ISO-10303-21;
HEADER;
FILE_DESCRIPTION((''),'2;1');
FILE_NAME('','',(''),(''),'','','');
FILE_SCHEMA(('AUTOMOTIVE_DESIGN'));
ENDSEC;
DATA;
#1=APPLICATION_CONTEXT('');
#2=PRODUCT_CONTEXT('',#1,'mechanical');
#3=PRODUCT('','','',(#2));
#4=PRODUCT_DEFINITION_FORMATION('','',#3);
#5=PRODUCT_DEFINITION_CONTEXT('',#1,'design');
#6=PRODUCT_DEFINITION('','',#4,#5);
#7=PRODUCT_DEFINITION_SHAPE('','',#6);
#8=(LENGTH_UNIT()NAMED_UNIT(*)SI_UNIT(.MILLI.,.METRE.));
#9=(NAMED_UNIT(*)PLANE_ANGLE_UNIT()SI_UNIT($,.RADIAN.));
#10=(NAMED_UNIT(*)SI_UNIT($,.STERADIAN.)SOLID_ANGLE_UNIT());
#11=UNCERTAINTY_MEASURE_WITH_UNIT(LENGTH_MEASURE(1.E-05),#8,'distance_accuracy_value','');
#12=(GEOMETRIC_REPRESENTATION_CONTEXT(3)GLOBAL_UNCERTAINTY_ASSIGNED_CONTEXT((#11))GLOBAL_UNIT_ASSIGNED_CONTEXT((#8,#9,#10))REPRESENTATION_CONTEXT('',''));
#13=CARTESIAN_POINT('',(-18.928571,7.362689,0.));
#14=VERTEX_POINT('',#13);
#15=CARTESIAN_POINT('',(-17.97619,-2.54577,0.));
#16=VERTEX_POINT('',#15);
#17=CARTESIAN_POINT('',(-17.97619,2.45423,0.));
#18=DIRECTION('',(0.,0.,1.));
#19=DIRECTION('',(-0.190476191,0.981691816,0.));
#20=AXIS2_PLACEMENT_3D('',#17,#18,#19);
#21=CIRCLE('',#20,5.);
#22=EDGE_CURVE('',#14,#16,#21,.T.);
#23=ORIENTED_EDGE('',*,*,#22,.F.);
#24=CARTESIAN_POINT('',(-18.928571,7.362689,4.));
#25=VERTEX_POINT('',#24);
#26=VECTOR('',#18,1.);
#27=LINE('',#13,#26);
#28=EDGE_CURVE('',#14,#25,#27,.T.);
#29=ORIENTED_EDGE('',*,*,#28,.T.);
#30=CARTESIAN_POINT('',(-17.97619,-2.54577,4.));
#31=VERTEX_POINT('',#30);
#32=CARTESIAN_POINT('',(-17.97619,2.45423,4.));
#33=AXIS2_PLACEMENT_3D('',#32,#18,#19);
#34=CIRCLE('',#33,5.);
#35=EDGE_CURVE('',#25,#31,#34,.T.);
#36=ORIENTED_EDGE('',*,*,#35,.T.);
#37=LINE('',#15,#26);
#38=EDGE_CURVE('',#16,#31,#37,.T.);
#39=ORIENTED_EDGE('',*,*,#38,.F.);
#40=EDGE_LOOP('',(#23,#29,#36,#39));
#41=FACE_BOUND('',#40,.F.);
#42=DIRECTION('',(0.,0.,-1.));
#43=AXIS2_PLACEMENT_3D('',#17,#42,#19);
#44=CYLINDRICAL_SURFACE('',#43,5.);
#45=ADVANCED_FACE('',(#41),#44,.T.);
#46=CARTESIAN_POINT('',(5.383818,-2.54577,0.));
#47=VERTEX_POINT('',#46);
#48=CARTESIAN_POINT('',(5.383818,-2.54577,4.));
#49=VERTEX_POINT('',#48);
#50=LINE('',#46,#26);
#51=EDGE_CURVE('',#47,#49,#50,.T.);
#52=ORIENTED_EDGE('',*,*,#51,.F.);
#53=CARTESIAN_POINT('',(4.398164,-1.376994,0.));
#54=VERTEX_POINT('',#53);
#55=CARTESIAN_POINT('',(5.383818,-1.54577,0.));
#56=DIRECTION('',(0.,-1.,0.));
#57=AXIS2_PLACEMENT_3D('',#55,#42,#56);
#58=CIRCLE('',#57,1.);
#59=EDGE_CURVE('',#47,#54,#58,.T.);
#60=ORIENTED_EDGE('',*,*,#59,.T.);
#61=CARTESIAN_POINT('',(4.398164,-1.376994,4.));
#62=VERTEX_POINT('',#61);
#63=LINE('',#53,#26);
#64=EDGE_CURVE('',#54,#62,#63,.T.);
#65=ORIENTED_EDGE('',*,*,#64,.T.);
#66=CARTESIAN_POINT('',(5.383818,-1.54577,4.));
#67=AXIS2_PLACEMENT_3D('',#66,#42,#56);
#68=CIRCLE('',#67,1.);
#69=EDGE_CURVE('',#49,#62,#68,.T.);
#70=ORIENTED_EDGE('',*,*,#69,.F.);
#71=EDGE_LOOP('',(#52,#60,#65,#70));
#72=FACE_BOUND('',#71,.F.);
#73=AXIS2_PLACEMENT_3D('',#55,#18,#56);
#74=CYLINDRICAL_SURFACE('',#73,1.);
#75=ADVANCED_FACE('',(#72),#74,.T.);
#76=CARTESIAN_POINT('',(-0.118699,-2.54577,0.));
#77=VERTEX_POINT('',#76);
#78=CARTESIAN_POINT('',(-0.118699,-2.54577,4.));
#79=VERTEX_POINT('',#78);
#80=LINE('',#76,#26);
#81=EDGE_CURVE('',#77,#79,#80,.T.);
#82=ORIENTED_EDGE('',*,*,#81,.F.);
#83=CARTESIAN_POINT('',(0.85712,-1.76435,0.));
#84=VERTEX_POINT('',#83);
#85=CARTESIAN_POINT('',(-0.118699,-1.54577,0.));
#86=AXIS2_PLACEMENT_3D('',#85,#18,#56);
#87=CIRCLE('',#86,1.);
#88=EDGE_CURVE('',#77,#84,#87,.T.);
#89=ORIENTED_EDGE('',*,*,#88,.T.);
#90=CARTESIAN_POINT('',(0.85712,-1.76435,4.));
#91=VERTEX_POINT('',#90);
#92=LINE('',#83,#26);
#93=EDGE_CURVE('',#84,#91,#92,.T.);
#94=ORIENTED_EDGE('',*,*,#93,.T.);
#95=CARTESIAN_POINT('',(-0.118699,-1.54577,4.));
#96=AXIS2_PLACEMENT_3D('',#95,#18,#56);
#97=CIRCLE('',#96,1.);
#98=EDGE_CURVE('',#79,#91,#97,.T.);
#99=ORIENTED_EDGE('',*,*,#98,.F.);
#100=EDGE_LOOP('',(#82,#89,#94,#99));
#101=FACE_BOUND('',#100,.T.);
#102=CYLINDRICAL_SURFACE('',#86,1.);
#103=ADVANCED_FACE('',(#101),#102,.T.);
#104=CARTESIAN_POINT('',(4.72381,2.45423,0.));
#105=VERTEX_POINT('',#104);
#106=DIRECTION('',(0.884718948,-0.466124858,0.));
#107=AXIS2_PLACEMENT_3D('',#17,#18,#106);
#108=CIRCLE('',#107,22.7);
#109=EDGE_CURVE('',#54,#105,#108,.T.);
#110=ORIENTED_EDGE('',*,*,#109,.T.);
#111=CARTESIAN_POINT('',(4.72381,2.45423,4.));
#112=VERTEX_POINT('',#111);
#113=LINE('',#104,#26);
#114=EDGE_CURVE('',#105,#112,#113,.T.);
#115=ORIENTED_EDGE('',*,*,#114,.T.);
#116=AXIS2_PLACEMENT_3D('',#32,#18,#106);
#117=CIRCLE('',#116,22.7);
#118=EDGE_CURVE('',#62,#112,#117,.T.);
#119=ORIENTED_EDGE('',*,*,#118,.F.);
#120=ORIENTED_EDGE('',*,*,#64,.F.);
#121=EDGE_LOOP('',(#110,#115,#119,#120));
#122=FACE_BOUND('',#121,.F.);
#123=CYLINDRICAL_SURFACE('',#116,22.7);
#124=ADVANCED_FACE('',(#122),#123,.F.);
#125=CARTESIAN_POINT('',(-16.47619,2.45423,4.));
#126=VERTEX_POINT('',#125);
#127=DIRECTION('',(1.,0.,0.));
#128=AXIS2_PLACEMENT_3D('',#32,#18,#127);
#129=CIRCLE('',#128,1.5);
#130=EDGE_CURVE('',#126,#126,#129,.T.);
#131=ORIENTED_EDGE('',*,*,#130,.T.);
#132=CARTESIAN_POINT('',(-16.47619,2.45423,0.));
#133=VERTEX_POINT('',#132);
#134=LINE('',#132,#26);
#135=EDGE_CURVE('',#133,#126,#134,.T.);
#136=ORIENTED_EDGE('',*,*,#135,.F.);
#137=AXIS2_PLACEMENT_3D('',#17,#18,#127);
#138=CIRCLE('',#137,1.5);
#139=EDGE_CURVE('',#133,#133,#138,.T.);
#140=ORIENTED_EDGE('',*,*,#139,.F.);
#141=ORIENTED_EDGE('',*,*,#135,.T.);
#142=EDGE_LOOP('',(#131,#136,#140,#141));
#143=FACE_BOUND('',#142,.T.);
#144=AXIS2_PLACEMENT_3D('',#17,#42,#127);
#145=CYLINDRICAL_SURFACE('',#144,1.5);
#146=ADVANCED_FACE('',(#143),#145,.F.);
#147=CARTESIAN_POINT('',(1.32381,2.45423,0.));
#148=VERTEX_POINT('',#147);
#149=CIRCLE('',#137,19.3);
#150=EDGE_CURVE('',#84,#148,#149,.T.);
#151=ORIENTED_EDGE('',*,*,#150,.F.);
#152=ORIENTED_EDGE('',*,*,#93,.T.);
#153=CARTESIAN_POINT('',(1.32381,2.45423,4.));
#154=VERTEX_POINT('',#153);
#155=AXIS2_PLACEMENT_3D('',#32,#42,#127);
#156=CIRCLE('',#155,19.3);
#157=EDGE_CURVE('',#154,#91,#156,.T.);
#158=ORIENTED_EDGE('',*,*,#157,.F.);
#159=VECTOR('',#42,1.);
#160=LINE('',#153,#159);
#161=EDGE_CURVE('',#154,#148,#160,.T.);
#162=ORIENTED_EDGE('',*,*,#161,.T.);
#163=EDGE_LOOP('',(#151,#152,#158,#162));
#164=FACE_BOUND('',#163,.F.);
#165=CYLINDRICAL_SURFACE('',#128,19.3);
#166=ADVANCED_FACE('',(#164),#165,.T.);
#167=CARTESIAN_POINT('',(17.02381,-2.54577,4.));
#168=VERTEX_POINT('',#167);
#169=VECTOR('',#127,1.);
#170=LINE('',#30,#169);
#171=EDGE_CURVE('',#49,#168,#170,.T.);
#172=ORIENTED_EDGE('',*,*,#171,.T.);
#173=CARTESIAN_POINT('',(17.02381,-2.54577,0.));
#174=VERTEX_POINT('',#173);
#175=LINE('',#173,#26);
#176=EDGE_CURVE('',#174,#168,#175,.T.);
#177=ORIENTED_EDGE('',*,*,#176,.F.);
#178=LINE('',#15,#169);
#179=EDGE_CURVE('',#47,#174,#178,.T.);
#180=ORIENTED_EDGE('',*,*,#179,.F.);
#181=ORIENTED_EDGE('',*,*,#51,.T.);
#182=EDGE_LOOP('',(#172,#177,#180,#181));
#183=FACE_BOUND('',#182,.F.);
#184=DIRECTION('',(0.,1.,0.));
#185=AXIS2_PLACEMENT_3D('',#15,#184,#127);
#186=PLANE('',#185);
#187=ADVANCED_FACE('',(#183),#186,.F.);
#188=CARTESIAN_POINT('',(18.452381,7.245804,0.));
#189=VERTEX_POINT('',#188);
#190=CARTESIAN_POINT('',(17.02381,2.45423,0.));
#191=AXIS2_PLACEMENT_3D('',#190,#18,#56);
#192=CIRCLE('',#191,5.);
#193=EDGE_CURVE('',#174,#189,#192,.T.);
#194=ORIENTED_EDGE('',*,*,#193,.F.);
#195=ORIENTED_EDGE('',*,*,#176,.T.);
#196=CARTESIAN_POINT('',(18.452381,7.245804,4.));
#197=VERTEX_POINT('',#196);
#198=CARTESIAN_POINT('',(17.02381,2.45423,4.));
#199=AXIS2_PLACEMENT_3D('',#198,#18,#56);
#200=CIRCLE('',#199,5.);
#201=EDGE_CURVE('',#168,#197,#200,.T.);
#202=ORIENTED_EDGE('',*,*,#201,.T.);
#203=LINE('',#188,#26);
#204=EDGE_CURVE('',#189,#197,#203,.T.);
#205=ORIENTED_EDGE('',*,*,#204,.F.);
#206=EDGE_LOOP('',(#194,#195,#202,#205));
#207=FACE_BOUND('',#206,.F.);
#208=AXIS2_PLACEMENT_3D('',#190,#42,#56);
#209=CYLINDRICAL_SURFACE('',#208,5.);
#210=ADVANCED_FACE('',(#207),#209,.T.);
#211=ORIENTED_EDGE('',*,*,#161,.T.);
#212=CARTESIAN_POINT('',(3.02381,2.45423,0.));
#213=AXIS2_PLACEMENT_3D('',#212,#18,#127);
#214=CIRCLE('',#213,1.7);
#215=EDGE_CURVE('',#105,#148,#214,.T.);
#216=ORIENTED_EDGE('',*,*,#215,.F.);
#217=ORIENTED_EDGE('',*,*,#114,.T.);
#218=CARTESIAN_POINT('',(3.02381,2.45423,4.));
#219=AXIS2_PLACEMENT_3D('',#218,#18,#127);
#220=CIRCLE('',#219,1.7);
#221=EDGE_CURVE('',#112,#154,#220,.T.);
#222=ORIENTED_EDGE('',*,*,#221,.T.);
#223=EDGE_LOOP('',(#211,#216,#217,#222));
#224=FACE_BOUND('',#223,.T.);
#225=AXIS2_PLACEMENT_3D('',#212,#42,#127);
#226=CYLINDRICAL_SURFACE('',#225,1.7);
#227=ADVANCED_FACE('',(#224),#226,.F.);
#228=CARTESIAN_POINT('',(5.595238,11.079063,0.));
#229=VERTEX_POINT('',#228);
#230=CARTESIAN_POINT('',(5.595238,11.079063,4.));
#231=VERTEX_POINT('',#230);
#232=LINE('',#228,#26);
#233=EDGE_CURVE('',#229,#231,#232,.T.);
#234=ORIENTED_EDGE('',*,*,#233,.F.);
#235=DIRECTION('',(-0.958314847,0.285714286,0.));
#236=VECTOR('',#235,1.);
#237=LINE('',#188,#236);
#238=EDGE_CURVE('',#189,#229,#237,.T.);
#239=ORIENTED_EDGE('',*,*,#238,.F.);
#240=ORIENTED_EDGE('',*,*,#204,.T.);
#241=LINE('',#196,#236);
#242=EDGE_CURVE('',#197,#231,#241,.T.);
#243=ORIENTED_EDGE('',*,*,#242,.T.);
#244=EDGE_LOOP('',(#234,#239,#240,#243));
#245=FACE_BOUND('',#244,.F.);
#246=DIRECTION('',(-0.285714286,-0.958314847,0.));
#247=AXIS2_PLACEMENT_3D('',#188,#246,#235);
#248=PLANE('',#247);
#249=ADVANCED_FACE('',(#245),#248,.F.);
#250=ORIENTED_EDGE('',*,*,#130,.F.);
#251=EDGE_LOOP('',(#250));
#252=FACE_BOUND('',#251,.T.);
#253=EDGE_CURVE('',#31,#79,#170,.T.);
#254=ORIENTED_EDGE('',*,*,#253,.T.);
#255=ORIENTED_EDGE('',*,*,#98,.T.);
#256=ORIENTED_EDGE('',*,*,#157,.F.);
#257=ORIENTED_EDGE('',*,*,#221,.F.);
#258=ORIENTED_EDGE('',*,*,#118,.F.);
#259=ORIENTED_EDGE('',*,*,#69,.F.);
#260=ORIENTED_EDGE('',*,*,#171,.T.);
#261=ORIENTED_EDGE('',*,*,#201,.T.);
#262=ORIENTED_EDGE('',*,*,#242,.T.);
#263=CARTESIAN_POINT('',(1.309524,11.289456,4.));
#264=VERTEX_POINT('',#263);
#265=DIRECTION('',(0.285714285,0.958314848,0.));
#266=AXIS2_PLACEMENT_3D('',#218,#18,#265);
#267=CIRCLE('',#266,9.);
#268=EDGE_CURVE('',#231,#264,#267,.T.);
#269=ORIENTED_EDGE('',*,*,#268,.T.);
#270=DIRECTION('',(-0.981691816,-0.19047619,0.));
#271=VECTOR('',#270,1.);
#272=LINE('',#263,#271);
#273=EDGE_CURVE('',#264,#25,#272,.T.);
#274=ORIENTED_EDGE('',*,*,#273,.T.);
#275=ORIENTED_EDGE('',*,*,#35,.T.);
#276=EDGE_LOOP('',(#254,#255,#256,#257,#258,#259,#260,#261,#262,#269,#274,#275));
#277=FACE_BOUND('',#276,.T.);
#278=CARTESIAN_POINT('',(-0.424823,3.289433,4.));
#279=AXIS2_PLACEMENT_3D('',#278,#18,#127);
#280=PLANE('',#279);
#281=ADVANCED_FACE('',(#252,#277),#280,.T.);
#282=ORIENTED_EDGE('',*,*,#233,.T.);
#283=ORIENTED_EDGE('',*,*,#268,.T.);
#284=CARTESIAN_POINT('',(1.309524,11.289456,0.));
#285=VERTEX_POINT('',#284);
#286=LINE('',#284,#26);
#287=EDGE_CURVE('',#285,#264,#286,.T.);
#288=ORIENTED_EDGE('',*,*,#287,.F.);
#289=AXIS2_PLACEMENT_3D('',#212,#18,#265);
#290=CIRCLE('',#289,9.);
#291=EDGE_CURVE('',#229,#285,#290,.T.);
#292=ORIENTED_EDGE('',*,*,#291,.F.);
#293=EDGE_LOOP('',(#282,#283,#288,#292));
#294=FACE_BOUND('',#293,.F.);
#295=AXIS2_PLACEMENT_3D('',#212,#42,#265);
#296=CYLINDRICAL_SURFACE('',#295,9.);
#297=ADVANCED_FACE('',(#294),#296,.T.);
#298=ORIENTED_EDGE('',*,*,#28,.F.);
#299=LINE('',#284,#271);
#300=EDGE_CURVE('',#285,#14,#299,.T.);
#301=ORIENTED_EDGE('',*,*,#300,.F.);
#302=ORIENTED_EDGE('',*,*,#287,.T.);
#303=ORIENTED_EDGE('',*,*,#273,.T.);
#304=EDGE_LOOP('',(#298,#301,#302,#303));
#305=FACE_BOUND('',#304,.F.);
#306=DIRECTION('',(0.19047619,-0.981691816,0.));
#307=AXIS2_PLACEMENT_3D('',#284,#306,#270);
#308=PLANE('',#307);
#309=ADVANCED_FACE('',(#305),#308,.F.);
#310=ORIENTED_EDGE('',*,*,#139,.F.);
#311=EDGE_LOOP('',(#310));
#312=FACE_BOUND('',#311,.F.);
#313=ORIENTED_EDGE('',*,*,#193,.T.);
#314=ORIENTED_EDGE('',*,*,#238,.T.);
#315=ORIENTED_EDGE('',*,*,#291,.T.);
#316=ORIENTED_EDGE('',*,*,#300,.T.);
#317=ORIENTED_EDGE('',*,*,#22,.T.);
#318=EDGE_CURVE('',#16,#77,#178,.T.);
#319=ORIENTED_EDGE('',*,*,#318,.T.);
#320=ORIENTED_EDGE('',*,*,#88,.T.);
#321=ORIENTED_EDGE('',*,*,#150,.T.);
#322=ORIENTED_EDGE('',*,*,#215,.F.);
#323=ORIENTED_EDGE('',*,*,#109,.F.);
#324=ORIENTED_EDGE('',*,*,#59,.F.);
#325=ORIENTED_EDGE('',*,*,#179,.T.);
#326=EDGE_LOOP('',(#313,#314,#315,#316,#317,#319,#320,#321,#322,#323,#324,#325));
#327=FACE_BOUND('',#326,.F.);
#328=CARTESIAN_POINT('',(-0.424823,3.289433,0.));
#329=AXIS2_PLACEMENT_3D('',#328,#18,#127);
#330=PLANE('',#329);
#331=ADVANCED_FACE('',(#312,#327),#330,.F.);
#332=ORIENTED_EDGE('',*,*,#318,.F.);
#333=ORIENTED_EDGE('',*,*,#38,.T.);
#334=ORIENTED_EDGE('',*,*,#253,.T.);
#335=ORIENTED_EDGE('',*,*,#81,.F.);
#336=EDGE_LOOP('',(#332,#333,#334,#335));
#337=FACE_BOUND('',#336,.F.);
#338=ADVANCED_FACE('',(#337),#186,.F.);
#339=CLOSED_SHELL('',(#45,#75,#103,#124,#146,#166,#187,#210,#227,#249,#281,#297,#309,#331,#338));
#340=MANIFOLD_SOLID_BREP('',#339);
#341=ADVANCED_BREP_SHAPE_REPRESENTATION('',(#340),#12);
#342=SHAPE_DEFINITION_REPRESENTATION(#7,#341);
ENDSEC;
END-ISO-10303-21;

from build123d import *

# Parameters (mm, degrees)
SKETCH1_R           = 1.5
SKETCH1_R_2         = 1.7
BOSS_EXTRUDE1_DEPTH = 4
CUT_EXTRUDE1_DEPTH  = 5
FILLET1_R           = 1


with BuildPart() as part:
    # Sketch1 → Boss-Extrude1 (new body)
    with BuildSketch(Plane.XY):
        with BuildLine():
            Line((-17.976190476, -2.545770461), (17.023809524, -2.545770461))
            ThreePointArc((17.023809524, -2.545770461), (21.971428708, 1.732381628), (18.452380952, 7.245803777))
            Line((18.452380952, 7.245803777), (5.595238095, 11.079063167))
            ThreePointArc((5.595238095, 11.079063167), (3.465102786, 11.443404154), (1.30952381, 11.28945588))
            Line((1.30952381, 11.28945588), (-18.928571429, 7.362688617))
            ThreePointArc((-18.928571429, 7.362688617), (-22.953252631, 1.975844438), (-17.976190476, -2.545770461))
        make_face()
        with Locations((-17.976190476, 2.454229539)):
            Circle(SKETCH1_R, mode=Mode.SUBTRACT)
        with Locations((3.023809524, 2.454229539)):
            Circle(SKETCH1_R_2, mode=Mode.SUBTRACT)
    extrude(amount=BOSS_EXTRUDE1_DEPTH)

    # Sketch2 → Cut-Extrude1 (cut, through all)
    with BuildSketch(Plane.XY.offset(4)):
        with BuildLine():
            Line((-1.835195666, -8.126804745), (2.106929637, -8.126804745))
            ThreePointArc((2.106929637, -8.126804745), (4.059880255, -2.995686673), (4.723809524, 2.454229539))
            ThreePointArc((4.723809524, 2.454229539), (3.023809524, 4.154229539), (1.323809524, 2.454229539))
            ThreePointArc((1.323809524, 2.454229539), (0.517202937, -3.067038438), (-1.835195666, -8.126804745))
        make_face()
    extrude(amount=-CUT_EXTRUDE1_DEPTH, mode=Mode.SUBTRACT)

    # Fillet1
    fillet1_edges = [part.edges().sort_by_distance(p)[0] for p in [
        (4.166302608, -2.545770461, 2),
        (0.664893183, -2.545770461, 2),
    ]]
    fillet(fillet1_edges, radius=FILLET1_R)


solid = part.part
